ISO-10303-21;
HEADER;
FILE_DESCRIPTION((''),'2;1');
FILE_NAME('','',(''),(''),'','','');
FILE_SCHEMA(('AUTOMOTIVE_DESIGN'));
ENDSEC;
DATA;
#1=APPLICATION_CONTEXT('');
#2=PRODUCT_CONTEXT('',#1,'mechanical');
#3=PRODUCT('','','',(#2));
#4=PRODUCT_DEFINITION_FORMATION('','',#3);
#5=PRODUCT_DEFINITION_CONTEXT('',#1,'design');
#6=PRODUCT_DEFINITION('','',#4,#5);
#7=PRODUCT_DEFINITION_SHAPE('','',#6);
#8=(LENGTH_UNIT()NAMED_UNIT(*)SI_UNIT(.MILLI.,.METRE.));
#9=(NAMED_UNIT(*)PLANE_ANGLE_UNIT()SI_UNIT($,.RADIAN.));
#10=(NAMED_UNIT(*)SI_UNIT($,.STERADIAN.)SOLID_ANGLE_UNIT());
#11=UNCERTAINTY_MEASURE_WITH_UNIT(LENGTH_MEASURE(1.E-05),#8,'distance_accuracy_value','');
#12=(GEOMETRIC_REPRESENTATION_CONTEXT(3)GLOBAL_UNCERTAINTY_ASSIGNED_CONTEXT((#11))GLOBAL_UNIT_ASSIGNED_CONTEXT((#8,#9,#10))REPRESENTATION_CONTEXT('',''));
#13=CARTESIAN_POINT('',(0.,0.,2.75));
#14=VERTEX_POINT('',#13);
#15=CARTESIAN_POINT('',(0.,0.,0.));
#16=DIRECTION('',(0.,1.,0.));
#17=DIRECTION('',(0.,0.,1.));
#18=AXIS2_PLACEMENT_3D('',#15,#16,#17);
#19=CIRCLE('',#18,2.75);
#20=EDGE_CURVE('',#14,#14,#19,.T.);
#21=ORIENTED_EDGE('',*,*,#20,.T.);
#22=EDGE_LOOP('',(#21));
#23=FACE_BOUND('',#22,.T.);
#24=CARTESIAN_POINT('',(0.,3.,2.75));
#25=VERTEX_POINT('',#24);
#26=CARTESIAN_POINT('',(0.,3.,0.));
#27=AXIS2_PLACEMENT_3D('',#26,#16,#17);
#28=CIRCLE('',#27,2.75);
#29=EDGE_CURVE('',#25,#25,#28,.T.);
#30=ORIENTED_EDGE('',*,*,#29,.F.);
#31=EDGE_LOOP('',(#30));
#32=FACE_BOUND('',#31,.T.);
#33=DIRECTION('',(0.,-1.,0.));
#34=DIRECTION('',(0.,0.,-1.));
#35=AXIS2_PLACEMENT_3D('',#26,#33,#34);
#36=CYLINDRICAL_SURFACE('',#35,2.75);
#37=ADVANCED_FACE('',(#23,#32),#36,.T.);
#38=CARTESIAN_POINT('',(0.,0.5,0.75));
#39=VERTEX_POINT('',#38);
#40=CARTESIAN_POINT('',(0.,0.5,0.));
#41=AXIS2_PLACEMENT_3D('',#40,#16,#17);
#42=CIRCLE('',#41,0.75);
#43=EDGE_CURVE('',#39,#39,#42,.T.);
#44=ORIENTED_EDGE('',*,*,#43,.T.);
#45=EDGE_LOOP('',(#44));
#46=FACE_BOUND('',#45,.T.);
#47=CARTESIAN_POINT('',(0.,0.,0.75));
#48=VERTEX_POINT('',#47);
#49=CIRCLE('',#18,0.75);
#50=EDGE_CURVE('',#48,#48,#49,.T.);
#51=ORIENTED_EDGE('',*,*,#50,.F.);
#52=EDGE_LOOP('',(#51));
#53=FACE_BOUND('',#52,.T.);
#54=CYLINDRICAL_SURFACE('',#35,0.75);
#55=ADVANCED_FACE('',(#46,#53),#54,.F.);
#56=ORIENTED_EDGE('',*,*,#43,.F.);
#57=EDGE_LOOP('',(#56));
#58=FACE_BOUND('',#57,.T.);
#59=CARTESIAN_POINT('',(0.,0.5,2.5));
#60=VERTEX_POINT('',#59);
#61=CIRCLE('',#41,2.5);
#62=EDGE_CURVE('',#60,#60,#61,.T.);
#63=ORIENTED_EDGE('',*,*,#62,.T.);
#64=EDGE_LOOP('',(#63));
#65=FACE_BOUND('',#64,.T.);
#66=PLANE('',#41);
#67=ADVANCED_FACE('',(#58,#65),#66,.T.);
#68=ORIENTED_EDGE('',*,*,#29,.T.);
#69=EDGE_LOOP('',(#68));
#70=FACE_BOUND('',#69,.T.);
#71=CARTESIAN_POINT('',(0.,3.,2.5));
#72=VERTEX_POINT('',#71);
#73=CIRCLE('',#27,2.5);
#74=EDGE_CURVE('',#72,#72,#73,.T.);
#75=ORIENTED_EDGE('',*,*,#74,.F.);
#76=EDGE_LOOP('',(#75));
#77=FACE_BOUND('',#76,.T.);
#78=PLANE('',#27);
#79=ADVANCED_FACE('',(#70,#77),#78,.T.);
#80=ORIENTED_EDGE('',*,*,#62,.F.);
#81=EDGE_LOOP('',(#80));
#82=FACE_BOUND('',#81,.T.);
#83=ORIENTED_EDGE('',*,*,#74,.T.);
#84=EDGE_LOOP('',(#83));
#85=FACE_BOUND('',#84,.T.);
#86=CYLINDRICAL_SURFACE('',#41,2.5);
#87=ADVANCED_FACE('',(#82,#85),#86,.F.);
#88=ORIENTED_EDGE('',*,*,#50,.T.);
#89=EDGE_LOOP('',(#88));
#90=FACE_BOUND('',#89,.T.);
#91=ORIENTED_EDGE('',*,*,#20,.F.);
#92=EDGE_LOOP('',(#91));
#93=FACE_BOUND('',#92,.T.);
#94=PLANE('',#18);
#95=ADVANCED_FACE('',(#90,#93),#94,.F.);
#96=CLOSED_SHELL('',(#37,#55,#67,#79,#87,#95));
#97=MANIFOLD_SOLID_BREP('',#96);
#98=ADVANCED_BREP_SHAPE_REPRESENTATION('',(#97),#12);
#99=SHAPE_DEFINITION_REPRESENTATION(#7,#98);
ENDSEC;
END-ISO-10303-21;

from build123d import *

# Parameters (mm, degrees)
SKETCH1_R           = 2.75
SKETCH1_R_2         = 0.75
BOSS_EXTRUDE1_DEPTH = 3
SKETCH4_R           = 2.5
CUT_EXTRUDE2_DEPTH  = 2.5


with BuildPart() as part:
    # Sketch1 → Boss-Extrude1 (new body)
    with BuildSketch(Plane(origin=(0, 0, 0), x_dir=(1, 0, 0), z_dir=(0, 1, 0))):
        with Locations(Location((0, 0, 0), (0, 0, 270))):
            Circle(SKETCH1_R)
        with Locations(Location((0, 0, 0), (0, 0, 270))):
            Circle(SKETCH1_R_2, mode=Mode.SUBTRACT)
    extrude(amount=BOSS_EXTRUDE1_DEPTH)

    # Sketch4 → Cut-Extrude2 (cut)
    with BuildSketch(Plane(origin=(0, 3, 0), x_dir=(1, 0, 0), z_dir=(0, 1, 0))):
        with Locations(Location((0, 0, 0), (0, 0, 270))):
            Circle(SKETCH4_R)
    extrude(amount=-CUT_EXTRUDE2_DEPTH, mode=Mode.SUBTRACT)


solid = part.part
